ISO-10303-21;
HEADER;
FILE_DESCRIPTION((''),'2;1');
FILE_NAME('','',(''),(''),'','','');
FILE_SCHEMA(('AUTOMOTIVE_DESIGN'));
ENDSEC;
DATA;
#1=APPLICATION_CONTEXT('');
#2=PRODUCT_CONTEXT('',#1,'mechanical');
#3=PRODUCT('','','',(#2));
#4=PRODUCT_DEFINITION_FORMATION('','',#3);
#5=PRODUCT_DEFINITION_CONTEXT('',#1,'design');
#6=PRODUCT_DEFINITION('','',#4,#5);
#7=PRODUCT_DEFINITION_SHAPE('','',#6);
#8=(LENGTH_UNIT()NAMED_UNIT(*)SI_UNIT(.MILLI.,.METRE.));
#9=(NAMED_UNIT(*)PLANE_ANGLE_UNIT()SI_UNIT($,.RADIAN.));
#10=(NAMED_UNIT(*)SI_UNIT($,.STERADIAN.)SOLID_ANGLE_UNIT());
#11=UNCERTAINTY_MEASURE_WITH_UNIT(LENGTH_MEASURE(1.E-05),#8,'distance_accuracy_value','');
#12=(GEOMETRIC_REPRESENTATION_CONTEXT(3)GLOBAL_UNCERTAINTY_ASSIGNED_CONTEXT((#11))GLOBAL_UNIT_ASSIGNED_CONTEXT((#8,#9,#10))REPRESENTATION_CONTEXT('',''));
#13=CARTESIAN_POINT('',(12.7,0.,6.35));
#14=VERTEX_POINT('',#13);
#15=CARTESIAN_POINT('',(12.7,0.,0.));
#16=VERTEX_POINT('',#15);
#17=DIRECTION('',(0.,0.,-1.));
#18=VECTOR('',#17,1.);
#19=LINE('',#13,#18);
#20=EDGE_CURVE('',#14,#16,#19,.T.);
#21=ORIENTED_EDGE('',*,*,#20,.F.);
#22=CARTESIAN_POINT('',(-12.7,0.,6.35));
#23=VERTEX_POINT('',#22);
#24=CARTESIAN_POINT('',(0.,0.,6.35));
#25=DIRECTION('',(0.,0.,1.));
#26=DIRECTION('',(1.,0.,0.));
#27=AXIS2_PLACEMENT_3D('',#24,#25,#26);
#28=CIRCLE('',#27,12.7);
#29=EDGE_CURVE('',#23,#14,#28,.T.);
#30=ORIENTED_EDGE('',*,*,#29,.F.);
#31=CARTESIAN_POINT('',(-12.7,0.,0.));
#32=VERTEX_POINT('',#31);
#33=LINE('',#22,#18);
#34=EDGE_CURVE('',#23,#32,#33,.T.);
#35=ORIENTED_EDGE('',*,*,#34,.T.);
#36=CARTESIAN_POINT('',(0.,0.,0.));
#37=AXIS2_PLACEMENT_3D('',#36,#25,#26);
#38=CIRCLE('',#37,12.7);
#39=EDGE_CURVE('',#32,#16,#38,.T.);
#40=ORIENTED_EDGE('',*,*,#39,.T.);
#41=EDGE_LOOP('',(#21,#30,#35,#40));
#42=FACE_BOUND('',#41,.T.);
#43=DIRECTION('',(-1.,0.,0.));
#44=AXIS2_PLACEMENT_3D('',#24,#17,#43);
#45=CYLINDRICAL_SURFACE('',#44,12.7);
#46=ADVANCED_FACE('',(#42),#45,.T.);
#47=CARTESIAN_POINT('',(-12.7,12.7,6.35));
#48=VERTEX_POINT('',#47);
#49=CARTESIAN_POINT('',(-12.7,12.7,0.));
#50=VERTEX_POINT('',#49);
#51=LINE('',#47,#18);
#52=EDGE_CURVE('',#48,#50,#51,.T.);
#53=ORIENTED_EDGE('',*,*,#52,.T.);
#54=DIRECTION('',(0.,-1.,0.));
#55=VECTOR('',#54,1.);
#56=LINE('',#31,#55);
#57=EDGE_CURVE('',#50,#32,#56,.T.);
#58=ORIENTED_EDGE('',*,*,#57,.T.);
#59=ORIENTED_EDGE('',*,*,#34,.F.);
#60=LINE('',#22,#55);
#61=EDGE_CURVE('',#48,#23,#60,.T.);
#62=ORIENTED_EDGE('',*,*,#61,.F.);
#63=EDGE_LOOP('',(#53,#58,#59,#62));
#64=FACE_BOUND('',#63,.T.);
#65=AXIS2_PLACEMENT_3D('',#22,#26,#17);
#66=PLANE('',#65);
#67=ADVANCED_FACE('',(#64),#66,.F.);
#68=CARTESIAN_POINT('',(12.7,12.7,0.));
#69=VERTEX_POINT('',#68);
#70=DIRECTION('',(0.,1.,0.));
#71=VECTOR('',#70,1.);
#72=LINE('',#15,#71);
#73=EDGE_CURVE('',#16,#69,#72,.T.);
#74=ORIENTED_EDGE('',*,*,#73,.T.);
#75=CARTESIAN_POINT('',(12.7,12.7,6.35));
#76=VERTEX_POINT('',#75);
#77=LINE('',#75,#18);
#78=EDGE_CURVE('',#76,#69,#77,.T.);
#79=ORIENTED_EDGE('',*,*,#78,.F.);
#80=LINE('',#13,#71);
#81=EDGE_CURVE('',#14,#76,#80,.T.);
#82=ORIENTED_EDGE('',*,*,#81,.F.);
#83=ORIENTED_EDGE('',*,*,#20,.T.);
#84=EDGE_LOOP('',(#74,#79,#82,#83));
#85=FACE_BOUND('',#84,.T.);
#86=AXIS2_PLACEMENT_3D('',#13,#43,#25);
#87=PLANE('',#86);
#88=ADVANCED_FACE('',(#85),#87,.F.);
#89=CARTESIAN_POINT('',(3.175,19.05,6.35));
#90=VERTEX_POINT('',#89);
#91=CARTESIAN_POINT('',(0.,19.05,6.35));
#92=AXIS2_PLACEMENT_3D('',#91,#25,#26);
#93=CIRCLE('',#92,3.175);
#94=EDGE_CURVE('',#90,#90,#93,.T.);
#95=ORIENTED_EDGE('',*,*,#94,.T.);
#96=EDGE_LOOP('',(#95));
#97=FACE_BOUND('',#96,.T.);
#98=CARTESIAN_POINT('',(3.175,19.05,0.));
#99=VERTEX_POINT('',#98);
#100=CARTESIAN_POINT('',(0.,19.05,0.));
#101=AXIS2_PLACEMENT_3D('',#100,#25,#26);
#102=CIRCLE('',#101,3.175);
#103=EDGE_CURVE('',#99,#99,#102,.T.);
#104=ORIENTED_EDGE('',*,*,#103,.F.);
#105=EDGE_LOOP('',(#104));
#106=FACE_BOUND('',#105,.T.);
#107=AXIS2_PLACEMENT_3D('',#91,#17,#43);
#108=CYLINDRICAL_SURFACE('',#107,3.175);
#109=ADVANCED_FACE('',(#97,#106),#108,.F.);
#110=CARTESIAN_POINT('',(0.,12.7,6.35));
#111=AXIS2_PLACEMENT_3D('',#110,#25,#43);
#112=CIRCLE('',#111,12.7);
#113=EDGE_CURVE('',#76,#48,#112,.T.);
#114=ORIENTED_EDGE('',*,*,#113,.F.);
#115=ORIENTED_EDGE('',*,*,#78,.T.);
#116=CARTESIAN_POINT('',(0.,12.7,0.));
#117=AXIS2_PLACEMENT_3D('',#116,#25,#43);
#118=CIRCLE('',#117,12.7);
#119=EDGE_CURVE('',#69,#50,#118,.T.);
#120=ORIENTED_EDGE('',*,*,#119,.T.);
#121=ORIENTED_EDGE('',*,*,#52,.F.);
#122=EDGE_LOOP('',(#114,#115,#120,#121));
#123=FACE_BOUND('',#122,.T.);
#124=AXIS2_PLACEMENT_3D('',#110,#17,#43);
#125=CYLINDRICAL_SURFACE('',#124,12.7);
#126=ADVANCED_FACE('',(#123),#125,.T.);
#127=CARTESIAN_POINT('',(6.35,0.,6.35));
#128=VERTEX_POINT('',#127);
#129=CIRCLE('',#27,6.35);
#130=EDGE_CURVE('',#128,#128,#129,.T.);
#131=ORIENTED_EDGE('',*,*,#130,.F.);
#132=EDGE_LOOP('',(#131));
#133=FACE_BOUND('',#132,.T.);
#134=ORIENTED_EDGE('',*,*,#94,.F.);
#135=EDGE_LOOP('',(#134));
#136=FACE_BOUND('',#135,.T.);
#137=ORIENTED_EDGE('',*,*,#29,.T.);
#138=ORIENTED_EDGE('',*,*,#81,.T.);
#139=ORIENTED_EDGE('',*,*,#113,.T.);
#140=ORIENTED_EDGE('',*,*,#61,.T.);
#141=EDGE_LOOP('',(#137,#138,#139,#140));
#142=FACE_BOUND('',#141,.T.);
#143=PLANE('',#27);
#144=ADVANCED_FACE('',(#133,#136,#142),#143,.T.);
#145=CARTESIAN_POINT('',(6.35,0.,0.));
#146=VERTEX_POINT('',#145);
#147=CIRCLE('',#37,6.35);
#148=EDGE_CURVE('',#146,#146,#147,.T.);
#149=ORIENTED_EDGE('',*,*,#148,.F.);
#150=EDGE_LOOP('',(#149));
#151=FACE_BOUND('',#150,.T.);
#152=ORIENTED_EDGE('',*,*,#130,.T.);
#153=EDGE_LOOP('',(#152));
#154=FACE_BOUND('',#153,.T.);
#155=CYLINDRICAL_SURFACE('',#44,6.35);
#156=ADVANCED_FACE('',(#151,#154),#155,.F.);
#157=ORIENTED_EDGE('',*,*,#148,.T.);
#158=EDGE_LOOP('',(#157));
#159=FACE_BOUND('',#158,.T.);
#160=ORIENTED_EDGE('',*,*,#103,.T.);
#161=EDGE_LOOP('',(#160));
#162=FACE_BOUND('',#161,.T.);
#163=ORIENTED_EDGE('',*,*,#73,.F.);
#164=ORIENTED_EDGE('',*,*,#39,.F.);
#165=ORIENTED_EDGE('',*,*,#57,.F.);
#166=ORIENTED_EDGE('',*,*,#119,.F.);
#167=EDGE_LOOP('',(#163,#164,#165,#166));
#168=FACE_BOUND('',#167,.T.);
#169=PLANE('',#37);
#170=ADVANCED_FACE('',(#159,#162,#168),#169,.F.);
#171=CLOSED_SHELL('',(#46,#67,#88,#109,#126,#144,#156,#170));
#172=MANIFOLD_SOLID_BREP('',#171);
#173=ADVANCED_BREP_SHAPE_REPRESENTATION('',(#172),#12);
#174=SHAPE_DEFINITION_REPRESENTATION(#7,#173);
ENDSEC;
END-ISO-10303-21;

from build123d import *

# Parameters (mm, degrees)
SKETCH2_R           = 6.35
SKETCH2_R_2         = 3.175
BOSS_EXTRUDE1_DEPTH = 6.35


with BuildPart() as part:
    # Sketch2 → Boss-Extrude1 (new body)
    with BuildSketch(Plane.XY):
        with BuildLine():
            Line((-12.7, 0), (-12.7, 12.7))
            ThreePointArc((-12.7, 12.7), (0, 25.4), (12.7, 12.7))
            Line((12.7, 12.7), (12.7, 0))
            ThreePointArc((12.7, 0), (0, -12.7), (-12.7, 0))
        make_face()
        Circle(SKETCH2_R, mode=Mode.SUBTRACT)
        with Locations((0, 19.05)):
            Circle(SKETCH2_R_2, mode=Mode.SUBTRACT)
    extrude(amount=BOSS_EXTRUDE1_DEPTH)


solid = part.part
